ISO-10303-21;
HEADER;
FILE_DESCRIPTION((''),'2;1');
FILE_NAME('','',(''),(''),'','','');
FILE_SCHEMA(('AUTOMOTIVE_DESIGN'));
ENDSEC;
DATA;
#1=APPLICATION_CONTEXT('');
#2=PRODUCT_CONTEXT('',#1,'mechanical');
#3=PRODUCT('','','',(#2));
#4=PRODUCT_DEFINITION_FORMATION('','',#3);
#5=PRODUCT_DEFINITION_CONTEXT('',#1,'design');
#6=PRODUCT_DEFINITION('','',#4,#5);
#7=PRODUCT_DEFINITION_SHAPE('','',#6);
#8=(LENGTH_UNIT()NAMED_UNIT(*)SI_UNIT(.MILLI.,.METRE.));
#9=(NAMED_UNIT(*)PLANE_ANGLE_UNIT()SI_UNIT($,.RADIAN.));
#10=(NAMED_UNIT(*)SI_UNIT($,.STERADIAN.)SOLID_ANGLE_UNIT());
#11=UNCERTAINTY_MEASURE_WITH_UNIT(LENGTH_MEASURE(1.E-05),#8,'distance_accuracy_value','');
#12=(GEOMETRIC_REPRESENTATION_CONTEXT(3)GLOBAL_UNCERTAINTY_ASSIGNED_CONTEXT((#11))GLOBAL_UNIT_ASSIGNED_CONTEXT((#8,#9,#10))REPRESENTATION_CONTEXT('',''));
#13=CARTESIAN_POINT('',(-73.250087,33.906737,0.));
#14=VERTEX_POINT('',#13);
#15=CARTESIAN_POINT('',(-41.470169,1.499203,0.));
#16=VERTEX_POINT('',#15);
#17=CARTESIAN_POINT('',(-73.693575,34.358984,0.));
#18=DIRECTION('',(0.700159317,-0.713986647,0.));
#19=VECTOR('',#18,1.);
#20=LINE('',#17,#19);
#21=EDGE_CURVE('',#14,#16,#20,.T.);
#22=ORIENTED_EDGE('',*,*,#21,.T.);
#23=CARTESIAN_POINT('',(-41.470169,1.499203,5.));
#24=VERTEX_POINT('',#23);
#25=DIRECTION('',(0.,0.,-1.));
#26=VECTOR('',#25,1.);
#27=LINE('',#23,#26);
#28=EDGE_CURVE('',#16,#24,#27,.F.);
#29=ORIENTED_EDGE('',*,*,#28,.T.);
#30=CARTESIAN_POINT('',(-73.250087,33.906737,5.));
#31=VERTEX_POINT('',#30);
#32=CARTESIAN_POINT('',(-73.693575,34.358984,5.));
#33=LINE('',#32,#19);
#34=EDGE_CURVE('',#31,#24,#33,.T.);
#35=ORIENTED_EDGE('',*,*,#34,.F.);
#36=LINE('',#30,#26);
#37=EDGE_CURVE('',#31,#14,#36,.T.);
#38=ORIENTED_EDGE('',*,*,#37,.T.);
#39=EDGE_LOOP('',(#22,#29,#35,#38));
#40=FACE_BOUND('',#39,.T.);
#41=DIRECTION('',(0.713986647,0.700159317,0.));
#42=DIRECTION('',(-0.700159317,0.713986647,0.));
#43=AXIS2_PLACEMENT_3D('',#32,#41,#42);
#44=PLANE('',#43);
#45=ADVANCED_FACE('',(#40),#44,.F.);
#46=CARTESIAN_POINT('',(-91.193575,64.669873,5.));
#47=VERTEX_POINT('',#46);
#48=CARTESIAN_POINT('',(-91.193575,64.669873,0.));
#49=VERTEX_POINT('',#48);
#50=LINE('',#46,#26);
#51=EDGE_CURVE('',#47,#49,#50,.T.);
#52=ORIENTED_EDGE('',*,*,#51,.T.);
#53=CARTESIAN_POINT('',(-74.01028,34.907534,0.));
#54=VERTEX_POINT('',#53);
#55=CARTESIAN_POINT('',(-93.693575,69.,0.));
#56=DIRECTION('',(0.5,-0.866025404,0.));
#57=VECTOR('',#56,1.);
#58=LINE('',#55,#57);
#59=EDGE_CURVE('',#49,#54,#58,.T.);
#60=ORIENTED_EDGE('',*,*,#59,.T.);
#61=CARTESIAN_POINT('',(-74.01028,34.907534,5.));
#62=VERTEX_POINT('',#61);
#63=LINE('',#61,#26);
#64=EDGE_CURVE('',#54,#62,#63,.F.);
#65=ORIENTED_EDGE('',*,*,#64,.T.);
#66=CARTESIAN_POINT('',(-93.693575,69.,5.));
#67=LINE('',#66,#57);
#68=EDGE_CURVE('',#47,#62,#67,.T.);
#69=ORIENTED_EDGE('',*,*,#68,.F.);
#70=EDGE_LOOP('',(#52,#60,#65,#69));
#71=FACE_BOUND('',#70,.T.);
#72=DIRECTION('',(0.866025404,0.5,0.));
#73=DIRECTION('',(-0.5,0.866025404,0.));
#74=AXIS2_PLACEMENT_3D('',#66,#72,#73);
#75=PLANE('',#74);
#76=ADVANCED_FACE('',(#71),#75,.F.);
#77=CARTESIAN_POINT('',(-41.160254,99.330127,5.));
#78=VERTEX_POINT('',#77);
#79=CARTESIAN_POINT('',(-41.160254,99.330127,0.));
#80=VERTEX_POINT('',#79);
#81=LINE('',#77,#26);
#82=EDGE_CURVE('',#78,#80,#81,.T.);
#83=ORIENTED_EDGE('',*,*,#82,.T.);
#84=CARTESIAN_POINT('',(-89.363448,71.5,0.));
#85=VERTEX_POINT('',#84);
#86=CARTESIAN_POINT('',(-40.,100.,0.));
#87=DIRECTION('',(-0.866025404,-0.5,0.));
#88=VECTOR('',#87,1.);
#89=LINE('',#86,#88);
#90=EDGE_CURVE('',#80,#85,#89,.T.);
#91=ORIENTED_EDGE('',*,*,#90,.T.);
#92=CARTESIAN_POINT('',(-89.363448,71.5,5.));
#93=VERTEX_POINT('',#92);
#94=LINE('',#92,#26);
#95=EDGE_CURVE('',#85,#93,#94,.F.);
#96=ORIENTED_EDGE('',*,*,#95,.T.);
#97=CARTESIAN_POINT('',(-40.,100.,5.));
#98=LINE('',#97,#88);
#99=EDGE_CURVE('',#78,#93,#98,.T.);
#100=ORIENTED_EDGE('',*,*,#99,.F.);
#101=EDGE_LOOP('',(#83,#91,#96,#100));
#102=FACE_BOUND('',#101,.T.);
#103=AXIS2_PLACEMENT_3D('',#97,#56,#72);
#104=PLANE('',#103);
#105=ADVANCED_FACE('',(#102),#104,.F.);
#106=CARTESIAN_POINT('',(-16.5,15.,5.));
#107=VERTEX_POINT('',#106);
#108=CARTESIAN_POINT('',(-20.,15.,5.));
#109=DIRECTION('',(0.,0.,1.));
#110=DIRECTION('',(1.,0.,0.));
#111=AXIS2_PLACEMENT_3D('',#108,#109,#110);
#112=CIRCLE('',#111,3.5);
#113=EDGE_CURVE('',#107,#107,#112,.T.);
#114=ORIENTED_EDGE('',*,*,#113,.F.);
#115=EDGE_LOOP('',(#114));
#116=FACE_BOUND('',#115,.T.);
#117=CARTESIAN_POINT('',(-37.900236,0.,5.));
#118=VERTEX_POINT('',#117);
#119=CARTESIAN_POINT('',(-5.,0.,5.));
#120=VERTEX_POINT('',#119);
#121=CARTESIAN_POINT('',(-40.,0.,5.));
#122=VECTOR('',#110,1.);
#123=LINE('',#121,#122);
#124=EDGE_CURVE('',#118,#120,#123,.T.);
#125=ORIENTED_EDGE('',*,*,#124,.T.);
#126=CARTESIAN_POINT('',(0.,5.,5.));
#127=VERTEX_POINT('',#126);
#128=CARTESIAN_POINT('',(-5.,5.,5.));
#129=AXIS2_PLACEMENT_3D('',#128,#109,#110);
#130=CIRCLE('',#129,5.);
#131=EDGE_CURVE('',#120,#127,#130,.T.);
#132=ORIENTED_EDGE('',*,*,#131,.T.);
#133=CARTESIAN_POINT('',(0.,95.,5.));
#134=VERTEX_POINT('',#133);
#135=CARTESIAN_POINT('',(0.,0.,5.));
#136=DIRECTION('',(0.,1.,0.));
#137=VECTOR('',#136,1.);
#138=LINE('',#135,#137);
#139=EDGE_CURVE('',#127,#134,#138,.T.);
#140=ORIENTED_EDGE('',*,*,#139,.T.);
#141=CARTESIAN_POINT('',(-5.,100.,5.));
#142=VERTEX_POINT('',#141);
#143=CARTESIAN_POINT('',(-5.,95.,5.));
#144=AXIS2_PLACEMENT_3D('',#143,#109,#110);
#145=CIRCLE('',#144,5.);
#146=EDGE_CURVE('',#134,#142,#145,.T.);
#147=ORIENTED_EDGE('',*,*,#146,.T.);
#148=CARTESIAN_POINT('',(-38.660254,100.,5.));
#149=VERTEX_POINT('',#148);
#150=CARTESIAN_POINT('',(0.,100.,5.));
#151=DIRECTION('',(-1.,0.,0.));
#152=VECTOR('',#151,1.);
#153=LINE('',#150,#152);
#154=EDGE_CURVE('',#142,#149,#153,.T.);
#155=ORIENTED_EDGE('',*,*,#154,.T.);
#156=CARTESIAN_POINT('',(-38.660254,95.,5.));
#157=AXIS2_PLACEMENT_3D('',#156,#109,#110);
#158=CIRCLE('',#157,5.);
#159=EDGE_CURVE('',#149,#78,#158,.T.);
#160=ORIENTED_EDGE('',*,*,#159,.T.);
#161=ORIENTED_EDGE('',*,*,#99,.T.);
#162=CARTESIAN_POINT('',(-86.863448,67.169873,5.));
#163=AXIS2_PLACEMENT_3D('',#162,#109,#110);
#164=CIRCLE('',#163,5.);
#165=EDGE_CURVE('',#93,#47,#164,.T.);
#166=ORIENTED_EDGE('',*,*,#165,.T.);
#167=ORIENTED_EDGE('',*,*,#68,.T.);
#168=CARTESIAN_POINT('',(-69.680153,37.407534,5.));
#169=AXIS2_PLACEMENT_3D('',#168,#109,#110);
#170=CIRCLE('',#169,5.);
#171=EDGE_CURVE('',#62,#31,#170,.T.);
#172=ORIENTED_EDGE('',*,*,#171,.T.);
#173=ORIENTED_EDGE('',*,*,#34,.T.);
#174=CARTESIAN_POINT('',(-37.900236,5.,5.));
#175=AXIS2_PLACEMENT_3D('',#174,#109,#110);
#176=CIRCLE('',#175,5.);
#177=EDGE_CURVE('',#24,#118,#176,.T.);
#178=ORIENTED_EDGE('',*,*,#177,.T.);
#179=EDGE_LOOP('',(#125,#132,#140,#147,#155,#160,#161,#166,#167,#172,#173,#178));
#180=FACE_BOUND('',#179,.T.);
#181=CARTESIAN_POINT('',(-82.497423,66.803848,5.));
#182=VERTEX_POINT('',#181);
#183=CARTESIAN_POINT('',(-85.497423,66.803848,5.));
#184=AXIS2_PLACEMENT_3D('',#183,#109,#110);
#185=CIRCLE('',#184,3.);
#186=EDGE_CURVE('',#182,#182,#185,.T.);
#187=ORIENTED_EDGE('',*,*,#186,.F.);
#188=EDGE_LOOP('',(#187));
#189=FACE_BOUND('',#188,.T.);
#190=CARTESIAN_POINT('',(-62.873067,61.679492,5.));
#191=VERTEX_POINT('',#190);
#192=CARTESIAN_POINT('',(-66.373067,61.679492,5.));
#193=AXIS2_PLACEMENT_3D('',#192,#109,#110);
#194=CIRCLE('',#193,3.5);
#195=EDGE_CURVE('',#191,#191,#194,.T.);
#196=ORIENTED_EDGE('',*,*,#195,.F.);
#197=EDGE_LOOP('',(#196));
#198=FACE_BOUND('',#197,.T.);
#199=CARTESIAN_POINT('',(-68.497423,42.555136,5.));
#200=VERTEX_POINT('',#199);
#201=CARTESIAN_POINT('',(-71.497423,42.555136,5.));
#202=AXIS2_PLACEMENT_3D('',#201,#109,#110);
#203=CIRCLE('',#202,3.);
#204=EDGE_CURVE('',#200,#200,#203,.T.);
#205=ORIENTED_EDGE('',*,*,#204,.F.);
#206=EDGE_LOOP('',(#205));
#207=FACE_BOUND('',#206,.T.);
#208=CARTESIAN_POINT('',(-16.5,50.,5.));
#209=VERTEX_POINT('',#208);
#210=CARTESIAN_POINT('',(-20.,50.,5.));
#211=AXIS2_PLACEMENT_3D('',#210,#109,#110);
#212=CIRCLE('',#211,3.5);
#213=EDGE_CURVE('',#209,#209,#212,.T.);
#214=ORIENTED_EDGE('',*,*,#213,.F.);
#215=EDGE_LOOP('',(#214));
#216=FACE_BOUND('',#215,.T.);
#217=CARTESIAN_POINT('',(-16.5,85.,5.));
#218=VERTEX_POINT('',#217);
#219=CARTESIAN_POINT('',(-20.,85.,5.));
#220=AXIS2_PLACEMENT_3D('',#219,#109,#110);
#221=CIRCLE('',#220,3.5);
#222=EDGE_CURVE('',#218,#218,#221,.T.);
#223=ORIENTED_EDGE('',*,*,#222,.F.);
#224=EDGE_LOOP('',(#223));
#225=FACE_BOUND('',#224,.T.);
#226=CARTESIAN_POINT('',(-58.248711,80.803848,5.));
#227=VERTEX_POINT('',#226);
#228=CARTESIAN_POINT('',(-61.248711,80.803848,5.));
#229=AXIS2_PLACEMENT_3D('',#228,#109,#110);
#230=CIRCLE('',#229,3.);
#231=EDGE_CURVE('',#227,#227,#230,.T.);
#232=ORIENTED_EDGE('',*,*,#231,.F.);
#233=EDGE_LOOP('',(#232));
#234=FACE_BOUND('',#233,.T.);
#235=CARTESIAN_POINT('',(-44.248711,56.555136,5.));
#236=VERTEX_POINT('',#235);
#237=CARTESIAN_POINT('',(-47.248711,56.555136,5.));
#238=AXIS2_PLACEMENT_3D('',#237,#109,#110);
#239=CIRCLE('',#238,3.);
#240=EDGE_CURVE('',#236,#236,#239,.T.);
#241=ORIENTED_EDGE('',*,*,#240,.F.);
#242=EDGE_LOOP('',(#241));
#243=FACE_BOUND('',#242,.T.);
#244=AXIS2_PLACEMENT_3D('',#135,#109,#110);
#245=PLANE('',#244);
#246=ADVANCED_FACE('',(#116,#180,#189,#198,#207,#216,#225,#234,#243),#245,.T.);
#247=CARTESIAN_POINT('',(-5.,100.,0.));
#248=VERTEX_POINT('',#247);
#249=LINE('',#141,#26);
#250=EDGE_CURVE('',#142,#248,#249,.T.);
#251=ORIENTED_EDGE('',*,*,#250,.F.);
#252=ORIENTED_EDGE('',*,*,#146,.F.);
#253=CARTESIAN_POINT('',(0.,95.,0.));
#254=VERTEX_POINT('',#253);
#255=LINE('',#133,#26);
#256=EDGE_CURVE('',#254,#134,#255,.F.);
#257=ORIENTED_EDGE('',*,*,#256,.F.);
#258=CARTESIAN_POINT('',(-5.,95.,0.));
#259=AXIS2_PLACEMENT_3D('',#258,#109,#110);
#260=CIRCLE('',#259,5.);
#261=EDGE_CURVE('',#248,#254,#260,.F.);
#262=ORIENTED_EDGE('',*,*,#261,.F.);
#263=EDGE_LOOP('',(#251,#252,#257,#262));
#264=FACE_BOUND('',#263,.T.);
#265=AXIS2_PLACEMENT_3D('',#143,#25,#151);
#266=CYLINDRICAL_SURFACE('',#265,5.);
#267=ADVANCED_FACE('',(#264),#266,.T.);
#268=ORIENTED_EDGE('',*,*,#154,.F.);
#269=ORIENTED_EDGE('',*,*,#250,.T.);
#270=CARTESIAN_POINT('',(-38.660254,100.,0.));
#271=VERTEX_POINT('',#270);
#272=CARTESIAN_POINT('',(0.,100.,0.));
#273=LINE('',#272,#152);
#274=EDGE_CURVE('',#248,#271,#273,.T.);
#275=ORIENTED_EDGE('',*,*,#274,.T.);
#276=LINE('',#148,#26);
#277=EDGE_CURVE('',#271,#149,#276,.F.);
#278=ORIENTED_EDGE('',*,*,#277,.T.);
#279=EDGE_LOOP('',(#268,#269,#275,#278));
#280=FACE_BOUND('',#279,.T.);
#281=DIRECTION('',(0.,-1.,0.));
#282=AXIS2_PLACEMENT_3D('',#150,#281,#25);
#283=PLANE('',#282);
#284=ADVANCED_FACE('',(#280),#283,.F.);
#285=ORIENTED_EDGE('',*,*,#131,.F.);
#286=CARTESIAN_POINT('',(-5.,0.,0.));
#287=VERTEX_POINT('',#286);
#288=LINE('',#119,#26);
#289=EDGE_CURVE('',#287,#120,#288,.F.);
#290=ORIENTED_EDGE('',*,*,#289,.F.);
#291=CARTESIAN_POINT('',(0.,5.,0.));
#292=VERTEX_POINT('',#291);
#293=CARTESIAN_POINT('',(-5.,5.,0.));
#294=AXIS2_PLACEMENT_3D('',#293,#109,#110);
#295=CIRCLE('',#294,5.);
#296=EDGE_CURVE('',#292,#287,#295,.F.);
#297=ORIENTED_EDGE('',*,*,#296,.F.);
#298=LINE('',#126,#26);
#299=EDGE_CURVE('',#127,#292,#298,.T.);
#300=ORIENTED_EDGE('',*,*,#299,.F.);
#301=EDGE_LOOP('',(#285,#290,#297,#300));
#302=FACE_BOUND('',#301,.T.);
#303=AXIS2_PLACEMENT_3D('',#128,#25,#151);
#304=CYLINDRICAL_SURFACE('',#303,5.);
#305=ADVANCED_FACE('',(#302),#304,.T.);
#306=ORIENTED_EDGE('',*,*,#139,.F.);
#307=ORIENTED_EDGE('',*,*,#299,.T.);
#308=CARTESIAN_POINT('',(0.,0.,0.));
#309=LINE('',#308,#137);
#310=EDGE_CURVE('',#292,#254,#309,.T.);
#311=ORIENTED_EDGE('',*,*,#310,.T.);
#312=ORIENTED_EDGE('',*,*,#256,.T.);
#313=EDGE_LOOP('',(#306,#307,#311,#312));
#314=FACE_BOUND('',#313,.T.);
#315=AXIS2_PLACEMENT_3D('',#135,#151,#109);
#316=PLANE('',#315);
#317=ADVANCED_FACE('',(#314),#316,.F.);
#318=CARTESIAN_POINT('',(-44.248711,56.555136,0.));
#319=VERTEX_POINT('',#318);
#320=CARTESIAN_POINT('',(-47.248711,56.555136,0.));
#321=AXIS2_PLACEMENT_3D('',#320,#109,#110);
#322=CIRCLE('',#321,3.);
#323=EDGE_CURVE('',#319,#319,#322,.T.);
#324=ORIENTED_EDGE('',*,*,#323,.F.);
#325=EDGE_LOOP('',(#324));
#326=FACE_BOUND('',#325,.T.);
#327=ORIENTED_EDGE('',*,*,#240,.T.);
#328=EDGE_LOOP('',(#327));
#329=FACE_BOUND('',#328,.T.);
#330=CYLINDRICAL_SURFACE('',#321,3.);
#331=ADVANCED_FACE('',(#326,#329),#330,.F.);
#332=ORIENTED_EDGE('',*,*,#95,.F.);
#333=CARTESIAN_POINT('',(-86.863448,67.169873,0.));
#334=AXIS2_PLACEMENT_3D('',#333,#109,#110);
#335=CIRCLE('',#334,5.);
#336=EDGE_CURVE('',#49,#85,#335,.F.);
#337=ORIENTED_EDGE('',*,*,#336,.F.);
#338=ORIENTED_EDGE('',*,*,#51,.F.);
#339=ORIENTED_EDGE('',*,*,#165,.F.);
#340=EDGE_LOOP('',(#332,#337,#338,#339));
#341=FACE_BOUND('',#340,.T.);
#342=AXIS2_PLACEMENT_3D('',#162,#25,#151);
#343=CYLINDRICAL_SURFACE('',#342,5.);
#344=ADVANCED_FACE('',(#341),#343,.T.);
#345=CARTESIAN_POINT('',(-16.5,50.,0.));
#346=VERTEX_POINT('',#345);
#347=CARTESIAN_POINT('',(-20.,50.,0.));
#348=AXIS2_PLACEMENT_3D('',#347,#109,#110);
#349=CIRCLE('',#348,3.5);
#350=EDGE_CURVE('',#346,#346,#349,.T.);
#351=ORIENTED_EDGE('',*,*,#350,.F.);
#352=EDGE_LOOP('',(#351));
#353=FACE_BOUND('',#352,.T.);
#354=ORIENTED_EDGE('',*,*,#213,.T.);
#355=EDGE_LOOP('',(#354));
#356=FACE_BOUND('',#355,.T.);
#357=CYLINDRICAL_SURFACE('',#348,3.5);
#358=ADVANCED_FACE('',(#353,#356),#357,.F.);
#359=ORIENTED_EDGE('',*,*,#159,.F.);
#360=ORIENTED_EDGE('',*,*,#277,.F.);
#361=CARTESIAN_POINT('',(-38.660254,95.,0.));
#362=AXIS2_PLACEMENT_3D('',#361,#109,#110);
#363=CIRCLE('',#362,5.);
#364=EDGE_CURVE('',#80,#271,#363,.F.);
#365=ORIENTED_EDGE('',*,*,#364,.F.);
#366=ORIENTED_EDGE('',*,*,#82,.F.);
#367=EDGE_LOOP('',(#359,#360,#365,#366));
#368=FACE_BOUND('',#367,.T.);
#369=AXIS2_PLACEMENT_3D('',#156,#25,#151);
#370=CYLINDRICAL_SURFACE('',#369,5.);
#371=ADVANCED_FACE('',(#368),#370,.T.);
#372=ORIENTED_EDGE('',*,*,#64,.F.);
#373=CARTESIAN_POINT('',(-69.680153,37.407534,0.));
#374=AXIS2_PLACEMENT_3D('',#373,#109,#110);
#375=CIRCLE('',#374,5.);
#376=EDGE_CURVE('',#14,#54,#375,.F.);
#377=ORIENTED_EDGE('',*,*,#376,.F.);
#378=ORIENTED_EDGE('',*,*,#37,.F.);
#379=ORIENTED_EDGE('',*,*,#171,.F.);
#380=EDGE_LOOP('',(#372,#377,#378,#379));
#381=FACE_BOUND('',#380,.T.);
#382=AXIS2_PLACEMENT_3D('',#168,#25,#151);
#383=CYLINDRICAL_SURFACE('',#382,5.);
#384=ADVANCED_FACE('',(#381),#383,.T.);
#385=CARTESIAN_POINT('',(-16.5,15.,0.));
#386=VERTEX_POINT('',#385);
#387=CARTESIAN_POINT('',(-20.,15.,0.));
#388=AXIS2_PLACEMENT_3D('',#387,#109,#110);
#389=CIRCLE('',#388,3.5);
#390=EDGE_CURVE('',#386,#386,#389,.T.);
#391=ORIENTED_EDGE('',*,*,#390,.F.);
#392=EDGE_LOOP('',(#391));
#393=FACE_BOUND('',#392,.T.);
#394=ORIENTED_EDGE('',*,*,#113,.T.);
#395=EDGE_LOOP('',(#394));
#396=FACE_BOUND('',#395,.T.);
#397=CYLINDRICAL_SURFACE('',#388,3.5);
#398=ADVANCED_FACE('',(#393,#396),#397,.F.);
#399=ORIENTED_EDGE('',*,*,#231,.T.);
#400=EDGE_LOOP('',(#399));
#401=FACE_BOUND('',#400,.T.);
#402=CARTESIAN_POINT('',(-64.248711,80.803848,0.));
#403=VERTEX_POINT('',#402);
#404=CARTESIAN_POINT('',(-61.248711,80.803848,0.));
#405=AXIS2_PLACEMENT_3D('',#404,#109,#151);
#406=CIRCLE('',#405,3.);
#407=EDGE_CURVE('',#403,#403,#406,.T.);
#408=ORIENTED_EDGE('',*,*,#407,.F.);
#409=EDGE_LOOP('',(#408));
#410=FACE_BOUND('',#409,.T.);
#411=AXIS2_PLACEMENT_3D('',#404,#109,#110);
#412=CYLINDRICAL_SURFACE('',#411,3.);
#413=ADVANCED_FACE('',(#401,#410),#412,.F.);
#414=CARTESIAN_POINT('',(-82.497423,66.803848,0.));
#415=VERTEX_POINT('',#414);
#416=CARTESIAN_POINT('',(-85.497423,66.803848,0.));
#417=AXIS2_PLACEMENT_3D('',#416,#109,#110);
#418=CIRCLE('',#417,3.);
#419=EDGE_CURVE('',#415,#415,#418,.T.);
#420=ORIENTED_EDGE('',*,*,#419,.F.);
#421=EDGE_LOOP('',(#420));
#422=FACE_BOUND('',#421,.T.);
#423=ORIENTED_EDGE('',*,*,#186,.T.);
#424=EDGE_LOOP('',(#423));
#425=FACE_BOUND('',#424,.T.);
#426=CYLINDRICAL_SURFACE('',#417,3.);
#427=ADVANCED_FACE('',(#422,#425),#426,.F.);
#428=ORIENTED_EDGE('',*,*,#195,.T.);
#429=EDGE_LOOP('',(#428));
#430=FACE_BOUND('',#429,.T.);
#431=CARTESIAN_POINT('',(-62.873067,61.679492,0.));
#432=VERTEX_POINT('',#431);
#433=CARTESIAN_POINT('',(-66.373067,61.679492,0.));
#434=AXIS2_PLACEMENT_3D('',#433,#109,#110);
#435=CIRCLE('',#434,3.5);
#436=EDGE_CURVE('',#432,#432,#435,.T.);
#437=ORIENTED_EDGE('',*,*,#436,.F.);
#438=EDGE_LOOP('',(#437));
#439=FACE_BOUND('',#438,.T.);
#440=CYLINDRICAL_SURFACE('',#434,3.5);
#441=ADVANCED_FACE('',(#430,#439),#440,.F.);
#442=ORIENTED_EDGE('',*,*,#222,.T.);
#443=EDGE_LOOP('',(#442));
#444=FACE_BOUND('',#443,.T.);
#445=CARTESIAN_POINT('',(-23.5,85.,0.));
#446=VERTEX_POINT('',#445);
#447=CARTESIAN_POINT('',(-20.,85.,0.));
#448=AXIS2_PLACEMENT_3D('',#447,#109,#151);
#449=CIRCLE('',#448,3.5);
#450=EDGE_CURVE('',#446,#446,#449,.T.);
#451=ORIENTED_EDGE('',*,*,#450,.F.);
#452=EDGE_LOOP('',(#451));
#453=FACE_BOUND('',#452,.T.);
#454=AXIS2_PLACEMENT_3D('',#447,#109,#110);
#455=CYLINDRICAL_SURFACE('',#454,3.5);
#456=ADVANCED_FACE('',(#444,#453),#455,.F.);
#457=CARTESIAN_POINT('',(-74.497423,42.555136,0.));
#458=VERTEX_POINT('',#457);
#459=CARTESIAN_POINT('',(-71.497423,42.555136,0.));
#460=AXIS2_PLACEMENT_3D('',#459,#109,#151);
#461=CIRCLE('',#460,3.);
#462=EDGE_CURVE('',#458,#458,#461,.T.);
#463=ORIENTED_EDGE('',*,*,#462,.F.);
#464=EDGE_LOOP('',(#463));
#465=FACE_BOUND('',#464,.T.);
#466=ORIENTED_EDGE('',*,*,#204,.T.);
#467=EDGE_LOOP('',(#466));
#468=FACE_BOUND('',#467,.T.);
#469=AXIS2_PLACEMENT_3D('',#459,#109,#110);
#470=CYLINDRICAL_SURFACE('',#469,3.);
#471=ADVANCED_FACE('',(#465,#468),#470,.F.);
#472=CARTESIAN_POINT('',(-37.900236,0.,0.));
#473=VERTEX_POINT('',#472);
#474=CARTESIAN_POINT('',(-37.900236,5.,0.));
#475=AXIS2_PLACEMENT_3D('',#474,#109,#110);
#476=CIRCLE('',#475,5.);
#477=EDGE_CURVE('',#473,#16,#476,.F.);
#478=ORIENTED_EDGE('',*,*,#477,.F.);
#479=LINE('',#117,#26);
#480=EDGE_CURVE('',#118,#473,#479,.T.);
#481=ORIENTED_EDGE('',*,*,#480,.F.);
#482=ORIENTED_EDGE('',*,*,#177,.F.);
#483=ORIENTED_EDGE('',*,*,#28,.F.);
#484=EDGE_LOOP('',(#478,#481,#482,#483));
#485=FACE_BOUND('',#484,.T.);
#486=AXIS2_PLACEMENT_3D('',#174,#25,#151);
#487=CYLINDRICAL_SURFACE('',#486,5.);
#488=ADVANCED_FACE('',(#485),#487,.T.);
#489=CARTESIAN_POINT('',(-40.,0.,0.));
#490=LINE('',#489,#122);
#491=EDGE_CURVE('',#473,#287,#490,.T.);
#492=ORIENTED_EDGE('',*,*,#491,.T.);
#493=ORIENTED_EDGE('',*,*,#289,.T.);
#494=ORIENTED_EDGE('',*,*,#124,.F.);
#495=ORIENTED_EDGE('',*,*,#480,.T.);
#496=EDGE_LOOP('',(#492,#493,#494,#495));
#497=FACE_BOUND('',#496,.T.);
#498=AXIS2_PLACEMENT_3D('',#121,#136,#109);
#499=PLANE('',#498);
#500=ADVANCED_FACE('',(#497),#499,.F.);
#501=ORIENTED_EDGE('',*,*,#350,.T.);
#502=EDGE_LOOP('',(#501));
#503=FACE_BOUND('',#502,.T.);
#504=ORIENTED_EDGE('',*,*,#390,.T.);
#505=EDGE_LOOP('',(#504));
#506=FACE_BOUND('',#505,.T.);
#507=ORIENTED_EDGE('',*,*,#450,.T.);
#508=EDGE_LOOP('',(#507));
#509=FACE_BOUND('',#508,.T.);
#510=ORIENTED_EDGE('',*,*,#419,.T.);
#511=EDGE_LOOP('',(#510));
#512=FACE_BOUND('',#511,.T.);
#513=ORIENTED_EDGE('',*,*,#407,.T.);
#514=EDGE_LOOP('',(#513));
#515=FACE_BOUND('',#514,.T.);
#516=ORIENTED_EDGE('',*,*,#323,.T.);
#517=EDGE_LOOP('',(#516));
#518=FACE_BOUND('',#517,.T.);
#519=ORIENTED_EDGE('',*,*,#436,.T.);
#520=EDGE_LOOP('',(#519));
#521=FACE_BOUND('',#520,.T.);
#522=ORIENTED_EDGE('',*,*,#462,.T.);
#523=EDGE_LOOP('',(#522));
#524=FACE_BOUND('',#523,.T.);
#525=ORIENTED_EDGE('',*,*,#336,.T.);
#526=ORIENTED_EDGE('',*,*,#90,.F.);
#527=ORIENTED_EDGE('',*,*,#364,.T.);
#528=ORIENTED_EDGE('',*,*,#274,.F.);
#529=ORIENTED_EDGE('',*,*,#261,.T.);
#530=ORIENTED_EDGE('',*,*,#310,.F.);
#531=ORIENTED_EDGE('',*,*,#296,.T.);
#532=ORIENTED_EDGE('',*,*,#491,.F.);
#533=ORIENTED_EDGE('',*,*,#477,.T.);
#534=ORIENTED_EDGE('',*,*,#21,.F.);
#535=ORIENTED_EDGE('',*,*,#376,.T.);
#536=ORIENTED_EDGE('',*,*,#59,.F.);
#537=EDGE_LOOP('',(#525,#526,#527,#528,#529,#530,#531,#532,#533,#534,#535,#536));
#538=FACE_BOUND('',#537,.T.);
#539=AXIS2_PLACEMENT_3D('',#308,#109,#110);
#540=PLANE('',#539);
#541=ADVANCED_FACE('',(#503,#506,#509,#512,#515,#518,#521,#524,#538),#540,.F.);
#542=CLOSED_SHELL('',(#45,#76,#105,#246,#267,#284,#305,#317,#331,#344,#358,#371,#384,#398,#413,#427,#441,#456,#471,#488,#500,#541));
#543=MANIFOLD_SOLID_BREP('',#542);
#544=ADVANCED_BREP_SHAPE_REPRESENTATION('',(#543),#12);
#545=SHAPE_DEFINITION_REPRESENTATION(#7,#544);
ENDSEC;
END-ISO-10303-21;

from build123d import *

# Parameters (mm, degrees)
BOSS_EXTRU_1_DEPTH           = 5
ENL_V_MAT_EXTRU_1_DEPTH      = 138.125803563
ENL_V_MAT_EXTRU_1_DEPTH_BACK = 138.125803563
ESQUISSE2_R                  = 3.5
ESQUISSE2_R_2                = 3
CONG_1_R                     = 5


with BuildPart() as part:
    # Esquisse1 → Boss.-Extru.1 (new body)
    with BuildSketch(Plane.XY):
        Polygon((0, 0), (0, 100), (-40, 100), (-93.693575035, 69), (-73.693575035, 34.358983849), (-40, 0), align=None)
    extrude(amount=BOSS_EXTRU_1_DEPTH)

    # Esquisse2 → Enlèv. mat.-Extru.1 (cut, two sides: drawn at the far end of the back side and taken through both)
    with BuildSketch(Plane.XY.offset(5).offset(-ENL_V_MAT_EXTRU_1_DEPTH_BACK)):
        with Locations((-20, 15)):
            Circle(ESQUISSE2_R)
        with Locations((-20, 50)):
            Circle(ESQUISSE2_R)
        with Locations((-20, 85)):
            Circle(ESQUISSE2_R)
        with Locations((-66.373066959, 61.679491924)):
            Circle(ESQUISSE2_R)
        with Locations((-85.497422612, 66.803847577)):
            Circle(ESQUISSE2_R_2)
        with Locations((-61.248711306, 80.803847577)):
            Circle(ESQUISSE2_R_2)
        with Locations((-47.248711306, 56.555136271)):
            Circle(ESQUISSE2_R_2)
        with Locations((-71.497422612, 42.555136271)):
            Circle(ESQUISSE2_R_2)
    extrude(amount=ENL_V_MAT_EXTRU_1_DEPTH + ENL_V_MAT_EXTRU_1_DEPTH_BACK, mode=Mode.SUBTRACT)

    # Congé1
    cong_1_edges = [part.edges().sort_by_distance(p)[0] for p in [
        (-40, 0, 2.5),
        (-73.693575035, 34.358983849, 2.5),
        (-93.693575035, 69, 2.5),
        (-40, 100, 2.5),
        (0, 100, 2.5),
        (0, 0, 2.5),
    ]]
    fillet(cong_1_edges, radius=CONG_1_R)


solid = part.part
